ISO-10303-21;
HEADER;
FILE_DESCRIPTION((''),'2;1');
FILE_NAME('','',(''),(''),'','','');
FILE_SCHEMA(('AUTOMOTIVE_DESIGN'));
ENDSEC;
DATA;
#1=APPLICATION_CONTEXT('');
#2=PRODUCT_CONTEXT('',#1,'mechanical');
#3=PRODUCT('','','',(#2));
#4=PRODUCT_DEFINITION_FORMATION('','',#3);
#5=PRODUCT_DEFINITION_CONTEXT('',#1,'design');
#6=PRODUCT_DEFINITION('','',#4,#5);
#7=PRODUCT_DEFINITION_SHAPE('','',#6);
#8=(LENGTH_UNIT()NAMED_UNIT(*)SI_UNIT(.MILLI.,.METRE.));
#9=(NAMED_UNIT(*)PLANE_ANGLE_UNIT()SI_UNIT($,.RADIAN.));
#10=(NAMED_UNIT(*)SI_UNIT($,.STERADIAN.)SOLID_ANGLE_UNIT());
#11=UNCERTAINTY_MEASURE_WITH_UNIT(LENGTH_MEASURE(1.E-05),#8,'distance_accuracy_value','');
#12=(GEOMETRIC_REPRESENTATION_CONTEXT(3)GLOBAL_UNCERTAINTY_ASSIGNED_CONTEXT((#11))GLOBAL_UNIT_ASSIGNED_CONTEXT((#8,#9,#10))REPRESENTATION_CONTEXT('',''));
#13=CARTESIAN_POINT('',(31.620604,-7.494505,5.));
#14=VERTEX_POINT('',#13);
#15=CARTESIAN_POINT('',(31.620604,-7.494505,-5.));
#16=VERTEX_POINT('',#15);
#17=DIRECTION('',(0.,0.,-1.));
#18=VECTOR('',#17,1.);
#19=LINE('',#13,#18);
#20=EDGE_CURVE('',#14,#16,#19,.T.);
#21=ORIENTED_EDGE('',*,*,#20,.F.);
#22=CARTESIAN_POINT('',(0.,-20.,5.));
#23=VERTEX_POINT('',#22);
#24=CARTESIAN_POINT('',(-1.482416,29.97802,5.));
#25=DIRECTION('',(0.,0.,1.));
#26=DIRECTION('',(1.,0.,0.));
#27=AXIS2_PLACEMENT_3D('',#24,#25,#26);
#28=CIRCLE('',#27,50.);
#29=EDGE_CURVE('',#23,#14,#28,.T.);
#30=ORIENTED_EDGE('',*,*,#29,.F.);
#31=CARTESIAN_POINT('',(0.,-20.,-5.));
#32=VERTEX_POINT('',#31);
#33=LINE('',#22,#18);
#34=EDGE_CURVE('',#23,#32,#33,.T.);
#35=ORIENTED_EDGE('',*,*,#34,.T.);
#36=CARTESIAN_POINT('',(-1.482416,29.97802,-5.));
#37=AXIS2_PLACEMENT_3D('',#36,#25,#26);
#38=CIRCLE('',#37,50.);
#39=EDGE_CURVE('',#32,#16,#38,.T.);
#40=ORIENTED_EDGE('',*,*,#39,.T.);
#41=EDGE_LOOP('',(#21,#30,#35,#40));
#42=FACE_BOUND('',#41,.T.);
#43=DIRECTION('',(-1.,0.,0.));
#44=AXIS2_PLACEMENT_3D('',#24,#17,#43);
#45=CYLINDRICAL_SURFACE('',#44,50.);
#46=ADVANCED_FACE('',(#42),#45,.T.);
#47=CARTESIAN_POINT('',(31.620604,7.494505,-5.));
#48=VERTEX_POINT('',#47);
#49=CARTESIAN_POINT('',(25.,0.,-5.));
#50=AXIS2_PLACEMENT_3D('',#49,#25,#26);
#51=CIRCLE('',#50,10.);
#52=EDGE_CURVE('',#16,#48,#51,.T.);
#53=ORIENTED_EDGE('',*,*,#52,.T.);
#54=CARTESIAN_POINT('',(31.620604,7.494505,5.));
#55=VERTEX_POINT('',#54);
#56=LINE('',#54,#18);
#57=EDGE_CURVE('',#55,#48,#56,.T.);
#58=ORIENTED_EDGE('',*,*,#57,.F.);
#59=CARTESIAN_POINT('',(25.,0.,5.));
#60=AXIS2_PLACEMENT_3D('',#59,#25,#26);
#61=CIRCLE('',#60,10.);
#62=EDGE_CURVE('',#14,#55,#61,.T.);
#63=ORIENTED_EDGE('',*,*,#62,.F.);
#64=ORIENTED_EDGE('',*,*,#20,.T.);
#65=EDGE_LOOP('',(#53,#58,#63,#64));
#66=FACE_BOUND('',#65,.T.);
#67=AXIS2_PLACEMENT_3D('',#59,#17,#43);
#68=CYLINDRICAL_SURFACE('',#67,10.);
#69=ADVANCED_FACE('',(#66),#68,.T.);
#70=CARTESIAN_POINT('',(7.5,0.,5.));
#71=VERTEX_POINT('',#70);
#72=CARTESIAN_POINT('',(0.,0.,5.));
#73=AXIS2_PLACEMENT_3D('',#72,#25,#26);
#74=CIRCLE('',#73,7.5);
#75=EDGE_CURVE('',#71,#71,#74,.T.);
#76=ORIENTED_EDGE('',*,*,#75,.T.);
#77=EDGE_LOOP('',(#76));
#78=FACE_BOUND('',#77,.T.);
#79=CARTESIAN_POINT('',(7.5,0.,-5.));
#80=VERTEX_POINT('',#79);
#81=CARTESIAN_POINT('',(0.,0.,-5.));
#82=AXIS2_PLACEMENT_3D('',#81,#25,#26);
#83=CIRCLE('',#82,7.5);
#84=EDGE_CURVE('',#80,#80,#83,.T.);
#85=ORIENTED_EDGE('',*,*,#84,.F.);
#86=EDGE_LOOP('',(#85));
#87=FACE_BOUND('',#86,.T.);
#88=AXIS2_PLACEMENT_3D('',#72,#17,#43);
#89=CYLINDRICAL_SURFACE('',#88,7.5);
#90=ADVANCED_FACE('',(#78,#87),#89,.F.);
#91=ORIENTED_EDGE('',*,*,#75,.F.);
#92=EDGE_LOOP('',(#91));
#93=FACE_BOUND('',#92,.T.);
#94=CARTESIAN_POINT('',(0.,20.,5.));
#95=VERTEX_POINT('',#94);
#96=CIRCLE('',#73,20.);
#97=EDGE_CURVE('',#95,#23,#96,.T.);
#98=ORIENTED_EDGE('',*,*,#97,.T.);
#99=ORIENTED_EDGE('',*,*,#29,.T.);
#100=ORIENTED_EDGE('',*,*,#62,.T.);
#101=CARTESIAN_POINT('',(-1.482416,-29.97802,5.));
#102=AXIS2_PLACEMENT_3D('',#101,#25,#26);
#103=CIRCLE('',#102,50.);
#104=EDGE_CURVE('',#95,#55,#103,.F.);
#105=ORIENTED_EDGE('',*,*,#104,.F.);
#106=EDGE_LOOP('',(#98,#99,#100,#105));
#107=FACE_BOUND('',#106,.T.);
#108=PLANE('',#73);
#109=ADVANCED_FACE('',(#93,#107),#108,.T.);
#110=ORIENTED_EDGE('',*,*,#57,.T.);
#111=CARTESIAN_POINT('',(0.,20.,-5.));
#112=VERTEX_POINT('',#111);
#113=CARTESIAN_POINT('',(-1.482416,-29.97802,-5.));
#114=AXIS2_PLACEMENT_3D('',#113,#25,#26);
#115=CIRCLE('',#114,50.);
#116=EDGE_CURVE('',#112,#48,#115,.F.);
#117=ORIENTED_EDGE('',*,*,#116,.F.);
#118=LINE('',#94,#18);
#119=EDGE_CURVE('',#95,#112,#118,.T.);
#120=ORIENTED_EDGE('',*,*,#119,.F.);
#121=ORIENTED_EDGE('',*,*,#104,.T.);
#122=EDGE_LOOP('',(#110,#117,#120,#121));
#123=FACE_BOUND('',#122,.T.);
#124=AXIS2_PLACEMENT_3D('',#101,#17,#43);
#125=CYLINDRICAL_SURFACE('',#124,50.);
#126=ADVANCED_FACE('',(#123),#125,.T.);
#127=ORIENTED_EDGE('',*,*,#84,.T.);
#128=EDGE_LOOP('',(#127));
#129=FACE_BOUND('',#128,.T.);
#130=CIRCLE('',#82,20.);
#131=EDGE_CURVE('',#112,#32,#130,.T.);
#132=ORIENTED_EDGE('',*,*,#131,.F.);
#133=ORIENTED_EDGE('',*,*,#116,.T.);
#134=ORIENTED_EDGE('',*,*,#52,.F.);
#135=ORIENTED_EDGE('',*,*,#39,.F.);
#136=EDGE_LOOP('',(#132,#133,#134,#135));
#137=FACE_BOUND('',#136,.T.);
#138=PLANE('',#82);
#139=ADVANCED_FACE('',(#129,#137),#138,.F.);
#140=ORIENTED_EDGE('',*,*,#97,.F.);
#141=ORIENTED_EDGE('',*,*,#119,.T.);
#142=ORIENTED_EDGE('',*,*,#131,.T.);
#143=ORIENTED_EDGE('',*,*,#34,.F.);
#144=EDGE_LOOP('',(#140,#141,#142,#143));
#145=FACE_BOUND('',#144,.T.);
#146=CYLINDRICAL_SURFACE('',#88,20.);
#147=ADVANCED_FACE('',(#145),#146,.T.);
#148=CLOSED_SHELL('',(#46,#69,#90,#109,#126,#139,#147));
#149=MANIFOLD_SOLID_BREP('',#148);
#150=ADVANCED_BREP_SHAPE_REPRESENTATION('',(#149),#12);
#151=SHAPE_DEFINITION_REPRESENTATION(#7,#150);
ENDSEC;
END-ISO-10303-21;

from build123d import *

# Parameters (mm, degrees)
SKETCH1_R           = 7.5
BOSS_EXTRUDE1_DEPTH = 5


with BuildPart() as part:
    # Sketch1 → Boss-Extrude1 (new, symmetric)
    with BuildSketch(Plane.XY):
        with BuildLine():
            ThreePointArc((31.620603921, 7.494504901), (17.82100855, 16.145486471), (1.973178454, 19.902426153))
            ThreePointArc((1.973178454, 19.902426153), (0.987071189, 19.960959504), (0, 20))
            ThreePointArc((0, 20), (-20, 0), (0, -20))
            ThreePointArc((0, -20), (0.987071189, -19.960959504), (1.973178454, -19.902426153))
            ThreePointArc((1.973178454, -19.902426153), (17.82100855, -16.145486471), (31.620603921, -7.494504901))
            ThreePointArc((31.620603921, -7.494504901), (35, 0), (31.620603921, 7.494504901))
        make_face()
        Circle(SKETCH1_R, mode=Mode.SUBTRACT)
    extrude(amount=BOSS_EXTRUDE1_DEPTH, both=True)


solid = part.part
